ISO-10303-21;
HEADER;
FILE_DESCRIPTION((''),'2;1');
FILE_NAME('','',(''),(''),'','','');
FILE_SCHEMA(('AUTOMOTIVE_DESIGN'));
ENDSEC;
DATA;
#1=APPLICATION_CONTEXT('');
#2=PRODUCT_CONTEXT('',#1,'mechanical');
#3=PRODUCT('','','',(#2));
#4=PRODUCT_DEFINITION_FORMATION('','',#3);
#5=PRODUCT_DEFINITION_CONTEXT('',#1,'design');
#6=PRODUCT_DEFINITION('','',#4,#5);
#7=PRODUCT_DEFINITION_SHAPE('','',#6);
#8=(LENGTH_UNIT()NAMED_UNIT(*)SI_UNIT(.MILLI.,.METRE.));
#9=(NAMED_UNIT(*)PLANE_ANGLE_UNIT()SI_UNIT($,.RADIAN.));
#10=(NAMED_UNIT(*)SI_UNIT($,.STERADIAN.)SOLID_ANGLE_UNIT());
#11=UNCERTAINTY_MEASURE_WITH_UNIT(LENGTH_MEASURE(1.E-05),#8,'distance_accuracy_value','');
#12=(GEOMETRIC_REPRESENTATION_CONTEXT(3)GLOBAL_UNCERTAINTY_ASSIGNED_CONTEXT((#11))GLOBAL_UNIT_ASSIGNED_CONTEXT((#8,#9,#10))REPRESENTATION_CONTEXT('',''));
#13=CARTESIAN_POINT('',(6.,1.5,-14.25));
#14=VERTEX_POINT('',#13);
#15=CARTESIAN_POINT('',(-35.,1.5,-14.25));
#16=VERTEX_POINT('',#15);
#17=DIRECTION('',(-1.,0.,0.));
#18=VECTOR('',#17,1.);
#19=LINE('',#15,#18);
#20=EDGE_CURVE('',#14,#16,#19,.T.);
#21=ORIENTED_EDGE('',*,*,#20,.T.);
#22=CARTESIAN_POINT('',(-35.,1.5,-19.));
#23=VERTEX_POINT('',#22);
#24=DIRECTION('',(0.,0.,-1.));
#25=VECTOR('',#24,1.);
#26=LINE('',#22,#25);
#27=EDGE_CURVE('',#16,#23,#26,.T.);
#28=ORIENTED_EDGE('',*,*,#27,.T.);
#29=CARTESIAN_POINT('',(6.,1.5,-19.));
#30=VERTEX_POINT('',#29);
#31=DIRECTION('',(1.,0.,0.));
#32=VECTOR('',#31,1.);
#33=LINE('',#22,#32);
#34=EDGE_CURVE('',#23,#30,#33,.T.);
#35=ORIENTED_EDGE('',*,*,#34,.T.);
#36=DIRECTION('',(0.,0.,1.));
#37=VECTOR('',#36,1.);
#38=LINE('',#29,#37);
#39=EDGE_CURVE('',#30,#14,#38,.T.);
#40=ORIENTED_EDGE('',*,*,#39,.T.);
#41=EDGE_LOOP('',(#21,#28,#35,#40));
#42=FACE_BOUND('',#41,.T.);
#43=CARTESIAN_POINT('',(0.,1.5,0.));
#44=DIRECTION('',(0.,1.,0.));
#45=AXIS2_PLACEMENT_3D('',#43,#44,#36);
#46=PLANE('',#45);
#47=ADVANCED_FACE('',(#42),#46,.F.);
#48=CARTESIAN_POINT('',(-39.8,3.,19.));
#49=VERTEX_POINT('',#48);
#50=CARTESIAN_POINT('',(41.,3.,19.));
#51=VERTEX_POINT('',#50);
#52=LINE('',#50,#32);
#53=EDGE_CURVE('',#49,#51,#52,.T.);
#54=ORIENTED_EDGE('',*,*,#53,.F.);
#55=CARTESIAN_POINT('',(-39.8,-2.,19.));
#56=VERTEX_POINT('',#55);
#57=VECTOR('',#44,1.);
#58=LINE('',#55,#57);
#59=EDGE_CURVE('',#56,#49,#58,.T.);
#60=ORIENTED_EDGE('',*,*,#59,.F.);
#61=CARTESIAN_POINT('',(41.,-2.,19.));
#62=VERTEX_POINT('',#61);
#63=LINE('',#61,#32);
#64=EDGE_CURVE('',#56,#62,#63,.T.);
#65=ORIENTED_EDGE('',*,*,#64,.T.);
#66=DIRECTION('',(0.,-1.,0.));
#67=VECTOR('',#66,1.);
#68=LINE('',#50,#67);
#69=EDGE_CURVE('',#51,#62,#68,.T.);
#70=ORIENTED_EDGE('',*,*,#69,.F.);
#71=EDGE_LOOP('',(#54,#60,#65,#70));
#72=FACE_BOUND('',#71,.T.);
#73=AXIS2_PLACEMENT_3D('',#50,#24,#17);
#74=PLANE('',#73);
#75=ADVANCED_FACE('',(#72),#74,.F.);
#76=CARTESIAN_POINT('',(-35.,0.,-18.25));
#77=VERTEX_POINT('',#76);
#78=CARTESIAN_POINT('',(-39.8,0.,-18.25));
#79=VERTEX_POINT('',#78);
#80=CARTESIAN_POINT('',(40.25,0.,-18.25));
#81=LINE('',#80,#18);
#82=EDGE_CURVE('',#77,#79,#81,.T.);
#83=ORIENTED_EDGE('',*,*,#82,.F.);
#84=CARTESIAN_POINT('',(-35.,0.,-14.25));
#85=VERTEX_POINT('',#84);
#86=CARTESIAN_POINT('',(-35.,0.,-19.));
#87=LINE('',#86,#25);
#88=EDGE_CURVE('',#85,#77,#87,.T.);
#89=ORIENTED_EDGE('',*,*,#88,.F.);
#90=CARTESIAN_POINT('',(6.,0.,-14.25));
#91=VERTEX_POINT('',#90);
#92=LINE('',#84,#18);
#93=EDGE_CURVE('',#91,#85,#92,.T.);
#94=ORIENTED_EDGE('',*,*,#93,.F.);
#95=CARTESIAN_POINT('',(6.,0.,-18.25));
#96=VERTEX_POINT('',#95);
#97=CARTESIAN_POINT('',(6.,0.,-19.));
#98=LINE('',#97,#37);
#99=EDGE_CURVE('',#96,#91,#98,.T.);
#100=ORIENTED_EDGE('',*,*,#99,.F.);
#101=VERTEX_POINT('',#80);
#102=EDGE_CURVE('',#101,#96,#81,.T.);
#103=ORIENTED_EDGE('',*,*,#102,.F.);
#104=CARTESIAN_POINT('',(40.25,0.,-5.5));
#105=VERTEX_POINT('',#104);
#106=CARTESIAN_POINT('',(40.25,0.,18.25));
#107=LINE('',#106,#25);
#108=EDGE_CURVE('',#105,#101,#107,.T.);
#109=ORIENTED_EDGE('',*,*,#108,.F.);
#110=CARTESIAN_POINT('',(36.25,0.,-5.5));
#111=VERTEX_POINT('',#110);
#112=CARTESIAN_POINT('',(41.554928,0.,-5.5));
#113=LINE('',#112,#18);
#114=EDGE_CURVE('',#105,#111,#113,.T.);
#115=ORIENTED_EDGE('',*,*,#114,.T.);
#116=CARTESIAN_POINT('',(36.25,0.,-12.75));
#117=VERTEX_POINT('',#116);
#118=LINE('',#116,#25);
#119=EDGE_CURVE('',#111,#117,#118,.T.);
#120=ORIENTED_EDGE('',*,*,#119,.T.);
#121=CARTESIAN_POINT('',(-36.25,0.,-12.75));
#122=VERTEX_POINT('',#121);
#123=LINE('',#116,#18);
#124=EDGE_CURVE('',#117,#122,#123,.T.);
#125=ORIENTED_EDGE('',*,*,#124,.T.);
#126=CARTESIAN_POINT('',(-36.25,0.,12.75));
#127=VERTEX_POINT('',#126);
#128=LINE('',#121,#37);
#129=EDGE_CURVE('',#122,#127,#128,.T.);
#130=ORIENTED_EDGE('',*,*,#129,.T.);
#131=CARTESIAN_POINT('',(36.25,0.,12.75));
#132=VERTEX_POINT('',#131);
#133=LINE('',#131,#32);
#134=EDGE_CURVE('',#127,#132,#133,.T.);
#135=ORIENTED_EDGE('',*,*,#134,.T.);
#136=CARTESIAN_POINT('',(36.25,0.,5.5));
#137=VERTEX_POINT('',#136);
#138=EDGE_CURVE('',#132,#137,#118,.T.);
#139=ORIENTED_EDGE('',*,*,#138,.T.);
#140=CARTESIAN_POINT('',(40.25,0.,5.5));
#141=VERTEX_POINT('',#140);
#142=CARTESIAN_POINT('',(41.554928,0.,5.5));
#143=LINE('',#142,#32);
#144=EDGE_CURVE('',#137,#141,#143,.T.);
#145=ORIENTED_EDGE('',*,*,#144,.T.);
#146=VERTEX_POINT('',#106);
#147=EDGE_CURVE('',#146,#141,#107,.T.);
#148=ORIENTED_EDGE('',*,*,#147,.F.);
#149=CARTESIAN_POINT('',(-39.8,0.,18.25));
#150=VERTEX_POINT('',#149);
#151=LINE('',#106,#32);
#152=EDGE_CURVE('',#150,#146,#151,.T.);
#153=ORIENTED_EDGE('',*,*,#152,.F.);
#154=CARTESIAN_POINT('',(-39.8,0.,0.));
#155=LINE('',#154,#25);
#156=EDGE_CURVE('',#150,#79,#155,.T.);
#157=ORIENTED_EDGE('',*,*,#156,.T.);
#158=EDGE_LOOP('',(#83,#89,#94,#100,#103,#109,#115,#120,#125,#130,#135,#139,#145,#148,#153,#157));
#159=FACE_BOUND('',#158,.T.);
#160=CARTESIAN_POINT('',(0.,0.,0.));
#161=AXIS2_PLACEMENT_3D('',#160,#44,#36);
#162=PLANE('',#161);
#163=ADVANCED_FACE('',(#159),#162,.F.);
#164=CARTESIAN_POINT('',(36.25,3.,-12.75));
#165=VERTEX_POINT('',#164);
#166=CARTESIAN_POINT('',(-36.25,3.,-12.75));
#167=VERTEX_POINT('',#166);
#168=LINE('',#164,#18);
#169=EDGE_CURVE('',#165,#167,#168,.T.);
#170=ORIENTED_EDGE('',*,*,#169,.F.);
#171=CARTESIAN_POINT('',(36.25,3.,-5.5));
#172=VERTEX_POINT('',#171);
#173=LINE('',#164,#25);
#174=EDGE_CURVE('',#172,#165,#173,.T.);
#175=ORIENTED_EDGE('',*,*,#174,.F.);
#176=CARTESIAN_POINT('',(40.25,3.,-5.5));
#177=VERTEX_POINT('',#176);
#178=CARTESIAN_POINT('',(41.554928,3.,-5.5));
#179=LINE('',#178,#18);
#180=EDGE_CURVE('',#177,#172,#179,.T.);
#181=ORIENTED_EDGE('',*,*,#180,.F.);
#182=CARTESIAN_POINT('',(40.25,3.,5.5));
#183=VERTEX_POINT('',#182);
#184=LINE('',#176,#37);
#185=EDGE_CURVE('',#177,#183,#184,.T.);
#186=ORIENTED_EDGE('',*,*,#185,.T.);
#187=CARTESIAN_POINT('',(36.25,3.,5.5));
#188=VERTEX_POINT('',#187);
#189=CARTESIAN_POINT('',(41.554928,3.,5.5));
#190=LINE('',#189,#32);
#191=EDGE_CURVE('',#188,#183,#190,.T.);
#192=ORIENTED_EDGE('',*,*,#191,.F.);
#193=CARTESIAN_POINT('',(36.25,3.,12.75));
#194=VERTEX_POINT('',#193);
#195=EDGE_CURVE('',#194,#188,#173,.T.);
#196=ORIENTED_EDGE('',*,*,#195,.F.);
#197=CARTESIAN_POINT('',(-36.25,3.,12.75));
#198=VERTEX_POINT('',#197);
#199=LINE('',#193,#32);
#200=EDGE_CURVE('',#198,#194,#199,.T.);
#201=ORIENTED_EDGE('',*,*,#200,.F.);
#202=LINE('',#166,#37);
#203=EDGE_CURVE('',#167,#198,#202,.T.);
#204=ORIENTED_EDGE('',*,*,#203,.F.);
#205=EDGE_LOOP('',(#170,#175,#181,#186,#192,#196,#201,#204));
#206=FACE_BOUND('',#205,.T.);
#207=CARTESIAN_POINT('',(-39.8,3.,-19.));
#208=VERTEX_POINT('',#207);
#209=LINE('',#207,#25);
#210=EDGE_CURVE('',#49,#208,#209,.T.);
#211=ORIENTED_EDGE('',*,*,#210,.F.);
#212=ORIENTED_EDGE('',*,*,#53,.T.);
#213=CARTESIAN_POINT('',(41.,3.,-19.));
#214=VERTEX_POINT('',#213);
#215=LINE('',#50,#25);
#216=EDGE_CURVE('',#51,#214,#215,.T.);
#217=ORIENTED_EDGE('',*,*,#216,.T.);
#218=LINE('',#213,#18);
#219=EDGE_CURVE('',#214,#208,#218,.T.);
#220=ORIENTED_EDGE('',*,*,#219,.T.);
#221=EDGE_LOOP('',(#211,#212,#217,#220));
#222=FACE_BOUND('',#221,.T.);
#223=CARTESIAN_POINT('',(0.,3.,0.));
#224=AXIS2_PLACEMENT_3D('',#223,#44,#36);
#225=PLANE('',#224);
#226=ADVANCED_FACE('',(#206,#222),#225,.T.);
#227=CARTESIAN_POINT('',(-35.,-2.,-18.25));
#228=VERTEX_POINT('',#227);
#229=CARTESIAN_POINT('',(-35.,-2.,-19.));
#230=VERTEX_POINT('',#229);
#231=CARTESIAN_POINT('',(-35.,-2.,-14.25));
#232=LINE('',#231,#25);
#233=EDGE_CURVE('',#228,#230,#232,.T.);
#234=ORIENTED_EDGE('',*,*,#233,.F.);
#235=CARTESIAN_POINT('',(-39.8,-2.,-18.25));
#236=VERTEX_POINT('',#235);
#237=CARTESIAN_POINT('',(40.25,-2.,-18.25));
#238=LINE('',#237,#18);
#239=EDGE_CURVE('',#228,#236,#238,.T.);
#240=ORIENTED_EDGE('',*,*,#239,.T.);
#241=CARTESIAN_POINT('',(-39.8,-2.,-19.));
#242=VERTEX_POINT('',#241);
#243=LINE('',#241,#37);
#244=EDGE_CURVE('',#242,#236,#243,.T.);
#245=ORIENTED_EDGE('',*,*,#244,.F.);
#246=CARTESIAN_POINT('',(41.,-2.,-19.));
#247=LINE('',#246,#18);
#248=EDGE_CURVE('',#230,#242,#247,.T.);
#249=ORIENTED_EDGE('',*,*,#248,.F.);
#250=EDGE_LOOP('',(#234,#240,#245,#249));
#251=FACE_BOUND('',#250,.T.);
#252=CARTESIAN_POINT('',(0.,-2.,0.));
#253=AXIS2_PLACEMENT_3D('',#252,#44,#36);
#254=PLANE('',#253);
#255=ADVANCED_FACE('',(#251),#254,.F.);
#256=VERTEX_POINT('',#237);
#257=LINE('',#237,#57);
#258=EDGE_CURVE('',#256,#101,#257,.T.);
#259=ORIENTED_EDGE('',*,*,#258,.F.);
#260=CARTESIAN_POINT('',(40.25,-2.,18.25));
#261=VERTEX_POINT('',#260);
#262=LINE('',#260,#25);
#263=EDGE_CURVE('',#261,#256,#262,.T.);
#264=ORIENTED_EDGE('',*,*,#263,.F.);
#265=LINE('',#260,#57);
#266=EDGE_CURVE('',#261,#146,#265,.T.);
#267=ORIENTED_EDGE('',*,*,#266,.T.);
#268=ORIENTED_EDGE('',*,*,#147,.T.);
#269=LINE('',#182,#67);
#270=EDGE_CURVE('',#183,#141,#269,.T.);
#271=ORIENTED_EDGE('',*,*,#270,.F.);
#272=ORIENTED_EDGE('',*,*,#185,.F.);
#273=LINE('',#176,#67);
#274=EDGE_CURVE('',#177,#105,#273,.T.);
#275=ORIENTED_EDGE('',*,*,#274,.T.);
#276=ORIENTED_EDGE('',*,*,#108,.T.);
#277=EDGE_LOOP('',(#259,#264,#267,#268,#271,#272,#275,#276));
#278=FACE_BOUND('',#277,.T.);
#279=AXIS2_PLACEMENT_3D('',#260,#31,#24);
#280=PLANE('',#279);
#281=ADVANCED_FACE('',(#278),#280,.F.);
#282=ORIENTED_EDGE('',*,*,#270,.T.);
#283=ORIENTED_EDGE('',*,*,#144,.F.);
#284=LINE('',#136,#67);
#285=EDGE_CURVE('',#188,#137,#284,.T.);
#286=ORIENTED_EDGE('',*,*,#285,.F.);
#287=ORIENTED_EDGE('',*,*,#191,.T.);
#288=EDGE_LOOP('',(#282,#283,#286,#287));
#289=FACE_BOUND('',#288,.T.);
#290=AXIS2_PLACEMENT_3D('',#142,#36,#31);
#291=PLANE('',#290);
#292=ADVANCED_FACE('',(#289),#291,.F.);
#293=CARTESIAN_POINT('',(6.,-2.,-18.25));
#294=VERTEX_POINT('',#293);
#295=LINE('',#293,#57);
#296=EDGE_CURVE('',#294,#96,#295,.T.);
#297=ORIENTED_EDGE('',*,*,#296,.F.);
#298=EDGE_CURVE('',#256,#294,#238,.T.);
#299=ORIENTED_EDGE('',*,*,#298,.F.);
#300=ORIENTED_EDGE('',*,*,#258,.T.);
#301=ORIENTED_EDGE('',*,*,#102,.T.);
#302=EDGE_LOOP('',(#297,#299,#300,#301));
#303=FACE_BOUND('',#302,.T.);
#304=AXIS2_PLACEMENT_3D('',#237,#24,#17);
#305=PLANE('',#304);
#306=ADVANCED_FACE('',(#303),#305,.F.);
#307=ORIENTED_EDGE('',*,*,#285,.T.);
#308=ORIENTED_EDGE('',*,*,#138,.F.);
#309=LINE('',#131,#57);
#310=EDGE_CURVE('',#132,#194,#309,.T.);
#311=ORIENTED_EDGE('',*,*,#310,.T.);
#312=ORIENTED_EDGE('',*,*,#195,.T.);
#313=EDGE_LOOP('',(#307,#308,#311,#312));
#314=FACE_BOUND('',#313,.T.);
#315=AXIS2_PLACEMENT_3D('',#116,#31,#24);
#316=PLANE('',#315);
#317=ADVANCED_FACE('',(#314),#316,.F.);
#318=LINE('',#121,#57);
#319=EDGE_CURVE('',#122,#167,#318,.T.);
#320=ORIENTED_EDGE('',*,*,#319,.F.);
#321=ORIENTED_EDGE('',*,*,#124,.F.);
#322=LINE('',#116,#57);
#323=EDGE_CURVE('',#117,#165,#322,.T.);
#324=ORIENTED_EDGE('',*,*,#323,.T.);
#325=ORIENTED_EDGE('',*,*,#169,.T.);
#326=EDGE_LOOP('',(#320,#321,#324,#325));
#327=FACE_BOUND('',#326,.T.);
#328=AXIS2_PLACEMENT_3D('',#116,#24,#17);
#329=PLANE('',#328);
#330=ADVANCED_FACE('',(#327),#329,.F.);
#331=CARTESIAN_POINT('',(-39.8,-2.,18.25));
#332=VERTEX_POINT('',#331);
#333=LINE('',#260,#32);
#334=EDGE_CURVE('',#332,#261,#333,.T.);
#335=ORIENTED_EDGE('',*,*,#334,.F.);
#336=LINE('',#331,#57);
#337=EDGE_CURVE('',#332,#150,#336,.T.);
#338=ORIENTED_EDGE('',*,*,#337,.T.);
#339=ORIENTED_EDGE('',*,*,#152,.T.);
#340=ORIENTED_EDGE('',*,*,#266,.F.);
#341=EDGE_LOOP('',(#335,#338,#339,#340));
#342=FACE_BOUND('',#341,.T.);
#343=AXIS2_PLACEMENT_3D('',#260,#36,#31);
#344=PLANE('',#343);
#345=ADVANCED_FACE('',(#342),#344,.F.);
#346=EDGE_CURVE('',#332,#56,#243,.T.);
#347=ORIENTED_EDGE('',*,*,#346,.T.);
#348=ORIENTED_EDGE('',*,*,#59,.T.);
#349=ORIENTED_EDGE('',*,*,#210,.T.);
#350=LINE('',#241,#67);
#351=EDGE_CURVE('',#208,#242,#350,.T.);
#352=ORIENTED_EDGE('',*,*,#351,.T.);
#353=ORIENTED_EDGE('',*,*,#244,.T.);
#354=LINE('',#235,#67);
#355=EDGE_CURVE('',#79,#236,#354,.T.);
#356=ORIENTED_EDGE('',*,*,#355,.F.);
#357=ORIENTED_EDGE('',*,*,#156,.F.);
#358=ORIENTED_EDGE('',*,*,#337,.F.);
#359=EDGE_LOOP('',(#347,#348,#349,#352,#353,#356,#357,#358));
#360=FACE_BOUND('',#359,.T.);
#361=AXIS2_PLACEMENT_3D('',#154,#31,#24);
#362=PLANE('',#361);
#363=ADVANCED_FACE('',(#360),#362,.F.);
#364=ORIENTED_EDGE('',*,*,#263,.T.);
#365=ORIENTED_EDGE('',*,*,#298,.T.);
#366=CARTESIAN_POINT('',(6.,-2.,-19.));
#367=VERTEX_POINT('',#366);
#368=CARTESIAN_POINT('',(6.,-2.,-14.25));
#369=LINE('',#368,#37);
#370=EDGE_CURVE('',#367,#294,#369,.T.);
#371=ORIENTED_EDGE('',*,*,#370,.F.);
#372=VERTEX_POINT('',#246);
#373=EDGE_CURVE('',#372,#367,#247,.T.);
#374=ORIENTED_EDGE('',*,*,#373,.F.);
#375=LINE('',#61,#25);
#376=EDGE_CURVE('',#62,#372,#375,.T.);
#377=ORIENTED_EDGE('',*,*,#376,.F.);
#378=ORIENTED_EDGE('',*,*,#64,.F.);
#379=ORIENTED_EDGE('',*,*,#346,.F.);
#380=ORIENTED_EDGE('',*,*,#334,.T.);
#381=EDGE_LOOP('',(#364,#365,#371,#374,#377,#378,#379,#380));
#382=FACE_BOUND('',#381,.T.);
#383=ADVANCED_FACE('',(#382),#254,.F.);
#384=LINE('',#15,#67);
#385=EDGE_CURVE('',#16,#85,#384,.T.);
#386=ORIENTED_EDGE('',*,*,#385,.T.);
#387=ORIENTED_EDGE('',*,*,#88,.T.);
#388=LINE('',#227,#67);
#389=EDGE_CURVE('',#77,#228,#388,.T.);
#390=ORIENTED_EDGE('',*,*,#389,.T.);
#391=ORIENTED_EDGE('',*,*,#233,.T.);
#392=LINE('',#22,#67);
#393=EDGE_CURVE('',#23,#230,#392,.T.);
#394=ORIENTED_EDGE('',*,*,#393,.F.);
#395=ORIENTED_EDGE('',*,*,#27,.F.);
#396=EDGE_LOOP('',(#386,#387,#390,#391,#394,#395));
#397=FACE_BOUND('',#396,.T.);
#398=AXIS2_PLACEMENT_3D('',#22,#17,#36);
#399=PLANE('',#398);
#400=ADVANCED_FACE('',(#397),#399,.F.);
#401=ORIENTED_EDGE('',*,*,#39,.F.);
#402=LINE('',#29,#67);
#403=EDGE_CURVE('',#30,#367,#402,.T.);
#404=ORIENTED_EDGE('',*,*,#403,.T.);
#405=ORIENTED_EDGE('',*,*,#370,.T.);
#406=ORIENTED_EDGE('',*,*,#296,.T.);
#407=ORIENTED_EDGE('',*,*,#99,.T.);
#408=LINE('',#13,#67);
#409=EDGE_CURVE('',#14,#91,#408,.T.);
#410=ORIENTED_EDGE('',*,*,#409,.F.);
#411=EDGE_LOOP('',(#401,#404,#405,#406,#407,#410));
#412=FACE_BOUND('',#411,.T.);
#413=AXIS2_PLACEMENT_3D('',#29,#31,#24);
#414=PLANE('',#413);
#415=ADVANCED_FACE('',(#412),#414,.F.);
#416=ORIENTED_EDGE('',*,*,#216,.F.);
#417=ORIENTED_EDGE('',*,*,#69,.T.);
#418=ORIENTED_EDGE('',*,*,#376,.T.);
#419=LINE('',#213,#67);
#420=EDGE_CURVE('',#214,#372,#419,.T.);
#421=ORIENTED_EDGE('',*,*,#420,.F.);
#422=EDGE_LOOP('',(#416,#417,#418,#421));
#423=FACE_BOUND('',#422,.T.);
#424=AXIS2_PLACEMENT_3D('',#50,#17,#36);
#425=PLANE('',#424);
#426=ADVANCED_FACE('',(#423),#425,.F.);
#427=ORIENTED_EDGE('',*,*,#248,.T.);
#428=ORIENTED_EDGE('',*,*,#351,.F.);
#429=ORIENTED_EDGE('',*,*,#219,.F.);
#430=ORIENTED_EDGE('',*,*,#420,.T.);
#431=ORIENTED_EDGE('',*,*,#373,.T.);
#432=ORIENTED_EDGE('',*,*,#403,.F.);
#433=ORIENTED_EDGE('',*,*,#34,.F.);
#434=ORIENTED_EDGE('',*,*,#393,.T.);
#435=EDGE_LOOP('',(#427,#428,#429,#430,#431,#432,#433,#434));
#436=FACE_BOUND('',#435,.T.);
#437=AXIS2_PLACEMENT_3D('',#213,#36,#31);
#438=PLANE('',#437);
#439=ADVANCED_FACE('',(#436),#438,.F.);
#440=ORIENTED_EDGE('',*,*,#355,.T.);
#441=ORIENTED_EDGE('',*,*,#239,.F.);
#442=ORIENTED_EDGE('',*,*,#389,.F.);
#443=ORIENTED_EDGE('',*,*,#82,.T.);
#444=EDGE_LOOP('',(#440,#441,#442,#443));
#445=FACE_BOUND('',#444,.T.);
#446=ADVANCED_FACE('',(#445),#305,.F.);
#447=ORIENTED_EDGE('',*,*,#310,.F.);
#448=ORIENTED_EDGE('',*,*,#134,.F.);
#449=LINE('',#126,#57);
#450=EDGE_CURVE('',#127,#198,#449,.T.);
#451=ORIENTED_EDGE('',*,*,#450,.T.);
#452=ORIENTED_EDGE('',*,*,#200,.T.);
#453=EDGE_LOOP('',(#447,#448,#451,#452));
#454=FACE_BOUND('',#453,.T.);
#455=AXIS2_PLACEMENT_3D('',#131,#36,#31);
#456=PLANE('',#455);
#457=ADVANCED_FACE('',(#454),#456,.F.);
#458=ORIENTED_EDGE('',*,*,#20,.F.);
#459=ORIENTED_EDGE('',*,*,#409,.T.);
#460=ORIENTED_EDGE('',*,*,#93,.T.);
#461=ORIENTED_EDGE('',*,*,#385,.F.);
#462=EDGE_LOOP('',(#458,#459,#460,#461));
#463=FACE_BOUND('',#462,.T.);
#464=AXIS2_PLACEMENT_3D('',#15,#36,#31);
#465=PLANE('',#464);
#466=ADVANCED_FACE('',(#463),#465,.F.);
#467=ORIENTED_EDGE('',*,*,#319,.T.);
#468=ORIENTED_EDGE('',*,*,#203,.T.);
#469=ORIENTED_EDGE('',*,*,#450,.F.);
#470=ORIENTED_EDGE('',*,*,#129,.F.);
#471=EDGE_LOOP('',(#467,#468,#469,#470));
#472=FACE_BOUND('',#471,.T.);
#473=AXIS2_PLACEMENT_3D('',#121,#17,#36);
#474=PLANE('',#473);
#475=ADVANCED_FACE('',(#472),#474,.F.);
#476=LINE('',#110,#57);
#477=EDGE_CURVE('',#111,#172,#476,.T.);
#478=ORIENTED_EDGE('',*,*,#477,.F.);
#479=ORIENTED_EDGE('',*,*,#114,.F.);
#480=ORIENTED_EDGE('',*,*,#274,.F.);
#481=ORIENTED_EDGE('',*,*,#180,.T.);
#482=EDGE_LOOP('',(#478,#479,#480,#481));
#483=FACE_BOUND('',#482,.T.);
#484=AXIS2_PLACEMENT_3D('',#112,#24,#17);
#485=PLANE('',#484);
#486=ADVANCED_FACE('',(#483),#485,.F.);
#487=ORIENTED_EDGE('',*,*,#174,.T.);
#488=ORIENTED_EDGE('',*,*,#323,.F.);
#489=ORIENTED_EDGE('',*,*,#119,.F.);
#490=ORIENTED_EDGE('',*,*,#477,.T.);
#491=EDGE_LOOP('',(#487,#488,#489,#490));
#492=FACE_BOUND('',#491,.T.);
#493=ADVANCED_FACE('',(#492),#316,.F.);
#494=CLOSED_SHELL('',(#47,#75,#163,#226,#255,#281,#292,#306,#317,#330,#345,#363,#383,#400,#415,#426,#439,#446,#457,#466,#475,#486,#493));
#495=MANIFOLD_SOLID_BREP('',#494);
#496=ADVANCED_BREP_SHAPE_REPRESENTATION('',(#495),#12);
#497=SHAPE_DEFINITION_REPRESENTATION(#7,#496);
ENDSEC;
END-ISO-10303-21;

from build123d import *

# Parameters (mm, degrees)
SKETCH1_W           = 82
SKETCH1_H           = 38
MAIN_DEPTH          = 3
SKETCH2_W           = 72.5
SKETCH2_H           = 25.5
LCD_CUTOUT_DEPTH    = 46.287967497
SKETCH3_W           = 41
SKETCH3_H           = 4.75
CONNECTOR_CUT_DEPTH = 1.5
SKETCH4_W           = 9.33307462
SKETCH4_H           = 11
CUT_EXTRUDE3_DEPTH  = 46.287967497
SKETCH6_W           = 82
SKETCH6_H           = 38
BOSS_EXTRUDE2_DEPTH = 2
SKETCH7_W           = 80.5
SKETCH7_H           = 36.5
CUT_EXTRUDE6_DEPTH  = 46.287967497
SKETCH8_W           = 41
SKETCH8_H           = 4.75
CUT_EXTRUDE7_DEPTH  = 46.323834789
SKETCH9_W           = 0.75
SKETCH9_H           = 11
BOSS_EXTRUDE3_DEPTH = 3
SKETCH10_W          = 38
SKETCH10_H          = 5
CUT_EXTRUDE8_DEPTH  = 1.2


with BuildPart() as part:
    # Sketch1 → main (new body)
    with BuildSketch(Plane(origin=(0, 0, 0), x_dir=(1, 0, 0), z_dir=(0, 1, 0))):
        Rectangle(SKETCH1_W, SKETCH1_H)
    extrude(amount=MAIN_DEPTH)

    # Sketch2 → LCD cutout (cut, through all)
    with BuildSketch(Plane(origin=(0, 3, 0), x_dir=(1, 0, 0), z_dir=(0, 1, 0))):
        Rectangle(SKETCH2_W, SKETCH2_H)
    extrude(amount=-LCD_CUTOUT_DEPTH, mode=Mode.SUBTRACT)

    # Sketch3 → connector cut (cut)
    with BuildSketch(Plane.XZ):
        with Locations((-14.5, -16.625)):
            Rectangle(SKETCH3_W, SKETCH3_H)
    extrude(amount=-CONNECTOR_CUT_DEPTH, mode=Mode.SUBTRACT)

    # Sketch4 → Cut-Extrude3 (cut, through all)
    with BuildSketch(Plane(origin=(0, 3, 0), x_dir=(1, 0, 0), z_dir=(0, 1, 0))):
        with Locations((36.888390736, 0)):
            Rectangle(SKETCH4_W, SKETCH4_H)
    extrude(amount=-CUT_EXTRUDE3_DEPTH, mode=Mode.SUBTRACT)

    # Sketch6 → Boss-Extrude2 (add)
    with BuildSketch(Plane(origin=(0, 0, 0), x_dir=(1, 0, 0), z_dir=(0, 1, 0))):
        Rectangle(SKETCH6_W, SKETCH6_H)
    extrude(amount=-BOSS_EXTRUDE2_DEPTH)

    # Sketch7 → Cut-Extrude6 (cut, through all)
    with BuildSketch(Plane(origin=(0, 0, 0), x_dir=(1, 0, 0), z_dir=(0, 1, 0))):
        Rectangle(SKETCH7_W, SKETCH7_H)
    extrude(amount=-CUT_EXTRUDE6_DEPTH, mode=Mode.SUBTRACT)

    # Sketch8 → Cut-Extrude7 (cut, through all)
    with BuildSketch(Plane.XZ.offset(-1.5)):
        with Locations((-14.5, -16.625)):
            Rectangle(SKETCH8_W, SKETCH8_H)
    extrude(amount=CUT_EXTRUDE7_DEPTH, mode=Mode.SUBTRACT)

    # Sketch9 → Boss-Extrude3 (add)
    with BuildSketch(Plane(origin=(0, 0, 0), x_dir=(1, 0, 0), z_dir=(0, 1, 0))):
        with Locations((40.625, 0)):
            Rectangle(SKETCH9_W, SKETCH9_H)
    extrude(amount=BOSS_EXTRUDE3_DEPTH)

    # Sketch10 → Cut-Extrude8 (cut)
    with BuildSketch(Plane.ZY.offset(41)):
        with Locations((0, 0.5)):
            Rectangle(SKETCH10_W, SKETCH10_H)
    extrude(amount=-CUT_EXTRUDE8_DEPTH, mode=Mode.SUBTRACT)


solid = part.part
